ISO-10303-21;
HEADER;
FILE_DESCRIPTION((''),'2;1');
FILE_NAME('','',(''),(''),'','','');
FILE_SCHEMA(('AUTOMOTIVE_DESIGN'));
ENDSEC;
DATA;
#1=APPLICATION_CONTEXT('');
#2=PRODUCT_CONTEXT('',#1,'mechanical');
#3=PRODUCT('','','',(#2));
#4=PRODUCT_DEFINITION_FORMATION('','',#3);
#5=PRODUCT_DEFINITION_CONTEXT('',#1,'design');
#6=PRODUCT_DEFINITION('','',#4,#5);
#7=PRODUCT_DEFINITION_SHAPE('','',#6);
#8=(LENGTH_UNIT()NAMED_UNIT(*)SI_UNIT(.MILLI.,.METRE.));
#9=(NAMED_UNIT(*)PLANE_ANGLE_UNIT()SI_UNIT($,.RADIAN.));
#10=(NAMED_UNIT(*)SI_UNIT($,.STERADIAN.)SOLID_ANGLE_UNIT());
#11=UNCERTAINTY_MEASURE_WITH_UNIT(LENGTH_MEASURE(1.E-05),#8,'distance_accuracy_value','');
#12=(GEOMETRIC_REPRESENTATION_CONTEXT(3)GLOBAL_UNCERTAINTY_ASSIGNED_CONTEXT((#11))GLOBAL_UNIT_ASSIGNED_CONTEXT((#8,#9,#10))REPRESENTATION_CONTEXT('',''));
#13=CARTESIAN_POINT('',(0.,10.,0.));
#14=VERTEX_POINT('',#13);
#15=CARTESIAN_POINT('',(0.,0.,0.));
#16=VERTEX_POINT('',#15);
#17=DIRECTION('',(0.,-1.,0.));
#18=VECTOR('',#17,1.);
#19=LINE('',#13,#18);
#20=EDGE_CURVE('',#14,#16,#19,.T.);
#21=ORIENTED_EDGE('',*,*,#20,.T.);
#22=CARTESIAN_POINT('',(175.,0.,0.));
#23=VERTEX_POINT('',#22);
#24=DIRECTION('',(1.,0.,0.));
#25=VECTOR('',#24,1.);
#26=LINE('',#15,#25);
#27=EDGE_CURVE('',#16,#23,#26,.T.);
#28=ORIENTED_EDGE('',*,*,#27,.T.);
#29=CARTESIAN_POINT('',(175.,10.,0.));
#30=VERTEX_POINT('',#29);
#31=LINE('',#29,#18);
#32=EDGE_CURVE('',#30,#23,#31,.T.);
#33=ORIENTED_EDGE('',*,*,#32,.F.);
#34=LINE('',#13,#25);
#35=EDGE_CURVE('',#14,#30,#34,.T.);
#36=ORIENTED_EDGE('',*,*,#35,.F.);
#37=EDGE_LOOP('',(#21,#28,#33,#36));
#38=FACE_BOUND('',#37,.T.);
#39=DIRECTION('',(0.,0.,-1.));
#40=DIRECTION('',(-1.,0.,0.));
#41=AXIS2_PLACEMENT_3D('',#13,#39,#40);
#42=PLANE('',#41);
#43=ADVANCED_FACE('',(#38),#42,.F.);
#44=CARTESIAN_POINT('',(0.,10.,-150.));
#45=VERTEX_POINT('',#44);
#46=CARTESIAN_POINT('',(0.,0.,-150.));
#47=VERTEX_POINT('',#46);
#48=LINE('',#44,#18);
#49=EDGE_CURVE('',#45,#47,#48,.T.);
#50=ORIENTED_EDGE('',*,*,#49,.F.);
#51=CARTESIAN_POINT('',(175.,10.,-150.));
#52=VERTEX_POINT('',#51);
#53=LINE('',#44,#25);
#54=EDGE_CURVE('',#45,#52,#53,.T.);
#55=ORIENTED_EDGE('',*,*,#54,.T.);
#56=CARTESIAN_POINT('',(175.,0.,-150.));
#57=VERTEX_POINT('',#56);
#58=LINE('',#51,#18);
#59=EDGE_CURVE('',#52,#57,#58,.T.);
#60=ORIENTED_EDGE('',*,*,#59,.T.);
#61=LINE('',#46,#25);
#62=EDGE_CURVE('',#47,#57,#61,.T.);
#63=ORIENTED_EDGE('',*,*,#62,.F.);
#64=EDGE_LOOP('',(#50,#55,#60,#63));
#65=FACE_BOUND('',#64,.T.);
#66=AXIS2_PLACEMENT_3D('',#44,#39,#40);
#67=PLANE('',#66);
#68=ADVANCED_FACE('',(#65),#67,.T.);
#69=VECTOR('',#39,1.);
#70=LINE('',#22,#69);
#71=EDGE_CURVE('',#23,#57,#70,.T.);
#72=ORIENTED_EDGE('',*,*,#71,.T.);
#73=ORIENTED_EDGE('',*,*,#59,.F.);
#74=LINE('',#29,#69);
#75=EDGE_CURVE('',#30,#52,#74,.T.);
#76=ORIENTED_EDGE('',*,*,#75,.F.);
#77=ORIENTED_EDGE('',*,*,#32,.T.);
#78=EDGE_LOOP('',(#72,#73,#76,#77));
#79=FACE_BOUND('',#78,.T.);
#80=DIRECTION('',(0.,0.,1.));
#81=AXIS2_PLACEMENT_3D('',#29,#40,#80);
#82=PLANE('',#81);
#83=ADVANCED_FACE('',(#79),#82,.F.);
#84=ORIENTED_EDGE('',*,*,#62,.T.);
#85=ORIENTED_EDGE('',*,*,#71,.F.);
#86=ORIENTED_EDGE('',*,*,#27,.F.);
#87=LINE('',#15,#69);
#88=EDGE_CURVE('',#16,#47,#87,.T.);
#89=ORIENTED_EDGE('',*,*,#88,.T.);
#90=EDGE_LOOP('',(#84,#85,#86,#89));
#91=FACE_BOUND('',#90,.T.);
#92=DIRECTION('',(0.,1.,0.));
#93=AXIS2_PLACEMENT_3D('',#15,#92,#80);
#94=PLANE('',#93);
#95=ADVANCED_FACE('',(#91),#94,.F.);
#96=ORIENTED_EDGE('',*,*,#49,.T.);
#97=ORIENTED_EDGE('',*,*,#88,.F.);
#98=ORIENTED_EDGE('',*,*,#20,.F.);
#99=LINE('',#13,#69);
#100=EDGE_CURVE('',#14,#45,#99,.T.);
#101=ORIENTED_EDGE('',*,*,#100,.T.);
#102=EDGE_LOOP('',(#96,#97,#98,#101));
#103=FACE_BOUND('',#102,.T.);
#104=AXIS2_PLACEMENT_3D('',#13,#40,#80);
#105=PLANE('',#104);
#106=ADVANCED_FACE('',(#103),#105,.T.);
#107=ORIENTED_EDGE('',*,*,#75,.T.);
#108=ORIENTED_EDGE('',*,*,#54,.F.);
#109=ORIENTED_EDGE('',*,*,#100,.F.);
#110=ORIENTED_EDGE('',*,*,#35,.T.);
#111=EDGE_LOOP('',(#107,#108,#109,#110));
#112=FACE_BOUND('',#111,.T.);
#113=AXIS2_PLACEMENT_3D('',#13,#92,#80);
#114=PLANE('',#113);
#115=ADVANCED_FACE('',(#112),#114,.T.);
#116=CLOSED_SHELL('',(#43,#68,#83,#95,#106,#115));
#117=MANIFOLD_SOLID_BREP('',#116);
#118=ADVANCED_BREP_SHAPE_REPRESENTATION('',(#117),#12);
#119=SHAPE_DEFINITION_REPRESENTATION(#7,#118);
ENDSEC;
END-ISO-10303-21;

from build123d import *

# Parameters (mm, degrees)
SKETCH1_W           = 175
SKETCH1_H           = 150
BOSS_EXTRUDE2_DEPTH = 10


with BuildPart() as part:
    # Sketch1 → Boss-Extrude2 (new body)
    with BuildSketch(Plane(origin=(0, 0, 0), x_dir=(1, 0, 0), z_dir=(0, 1, 0))):
        with Locations((87.5, 75)):
            Rectangle(SKETCH1_W, SKETCH1_H)
    extrude(amount=BOSS_EXTRUDE2_DEPTH)


solid = part.part
